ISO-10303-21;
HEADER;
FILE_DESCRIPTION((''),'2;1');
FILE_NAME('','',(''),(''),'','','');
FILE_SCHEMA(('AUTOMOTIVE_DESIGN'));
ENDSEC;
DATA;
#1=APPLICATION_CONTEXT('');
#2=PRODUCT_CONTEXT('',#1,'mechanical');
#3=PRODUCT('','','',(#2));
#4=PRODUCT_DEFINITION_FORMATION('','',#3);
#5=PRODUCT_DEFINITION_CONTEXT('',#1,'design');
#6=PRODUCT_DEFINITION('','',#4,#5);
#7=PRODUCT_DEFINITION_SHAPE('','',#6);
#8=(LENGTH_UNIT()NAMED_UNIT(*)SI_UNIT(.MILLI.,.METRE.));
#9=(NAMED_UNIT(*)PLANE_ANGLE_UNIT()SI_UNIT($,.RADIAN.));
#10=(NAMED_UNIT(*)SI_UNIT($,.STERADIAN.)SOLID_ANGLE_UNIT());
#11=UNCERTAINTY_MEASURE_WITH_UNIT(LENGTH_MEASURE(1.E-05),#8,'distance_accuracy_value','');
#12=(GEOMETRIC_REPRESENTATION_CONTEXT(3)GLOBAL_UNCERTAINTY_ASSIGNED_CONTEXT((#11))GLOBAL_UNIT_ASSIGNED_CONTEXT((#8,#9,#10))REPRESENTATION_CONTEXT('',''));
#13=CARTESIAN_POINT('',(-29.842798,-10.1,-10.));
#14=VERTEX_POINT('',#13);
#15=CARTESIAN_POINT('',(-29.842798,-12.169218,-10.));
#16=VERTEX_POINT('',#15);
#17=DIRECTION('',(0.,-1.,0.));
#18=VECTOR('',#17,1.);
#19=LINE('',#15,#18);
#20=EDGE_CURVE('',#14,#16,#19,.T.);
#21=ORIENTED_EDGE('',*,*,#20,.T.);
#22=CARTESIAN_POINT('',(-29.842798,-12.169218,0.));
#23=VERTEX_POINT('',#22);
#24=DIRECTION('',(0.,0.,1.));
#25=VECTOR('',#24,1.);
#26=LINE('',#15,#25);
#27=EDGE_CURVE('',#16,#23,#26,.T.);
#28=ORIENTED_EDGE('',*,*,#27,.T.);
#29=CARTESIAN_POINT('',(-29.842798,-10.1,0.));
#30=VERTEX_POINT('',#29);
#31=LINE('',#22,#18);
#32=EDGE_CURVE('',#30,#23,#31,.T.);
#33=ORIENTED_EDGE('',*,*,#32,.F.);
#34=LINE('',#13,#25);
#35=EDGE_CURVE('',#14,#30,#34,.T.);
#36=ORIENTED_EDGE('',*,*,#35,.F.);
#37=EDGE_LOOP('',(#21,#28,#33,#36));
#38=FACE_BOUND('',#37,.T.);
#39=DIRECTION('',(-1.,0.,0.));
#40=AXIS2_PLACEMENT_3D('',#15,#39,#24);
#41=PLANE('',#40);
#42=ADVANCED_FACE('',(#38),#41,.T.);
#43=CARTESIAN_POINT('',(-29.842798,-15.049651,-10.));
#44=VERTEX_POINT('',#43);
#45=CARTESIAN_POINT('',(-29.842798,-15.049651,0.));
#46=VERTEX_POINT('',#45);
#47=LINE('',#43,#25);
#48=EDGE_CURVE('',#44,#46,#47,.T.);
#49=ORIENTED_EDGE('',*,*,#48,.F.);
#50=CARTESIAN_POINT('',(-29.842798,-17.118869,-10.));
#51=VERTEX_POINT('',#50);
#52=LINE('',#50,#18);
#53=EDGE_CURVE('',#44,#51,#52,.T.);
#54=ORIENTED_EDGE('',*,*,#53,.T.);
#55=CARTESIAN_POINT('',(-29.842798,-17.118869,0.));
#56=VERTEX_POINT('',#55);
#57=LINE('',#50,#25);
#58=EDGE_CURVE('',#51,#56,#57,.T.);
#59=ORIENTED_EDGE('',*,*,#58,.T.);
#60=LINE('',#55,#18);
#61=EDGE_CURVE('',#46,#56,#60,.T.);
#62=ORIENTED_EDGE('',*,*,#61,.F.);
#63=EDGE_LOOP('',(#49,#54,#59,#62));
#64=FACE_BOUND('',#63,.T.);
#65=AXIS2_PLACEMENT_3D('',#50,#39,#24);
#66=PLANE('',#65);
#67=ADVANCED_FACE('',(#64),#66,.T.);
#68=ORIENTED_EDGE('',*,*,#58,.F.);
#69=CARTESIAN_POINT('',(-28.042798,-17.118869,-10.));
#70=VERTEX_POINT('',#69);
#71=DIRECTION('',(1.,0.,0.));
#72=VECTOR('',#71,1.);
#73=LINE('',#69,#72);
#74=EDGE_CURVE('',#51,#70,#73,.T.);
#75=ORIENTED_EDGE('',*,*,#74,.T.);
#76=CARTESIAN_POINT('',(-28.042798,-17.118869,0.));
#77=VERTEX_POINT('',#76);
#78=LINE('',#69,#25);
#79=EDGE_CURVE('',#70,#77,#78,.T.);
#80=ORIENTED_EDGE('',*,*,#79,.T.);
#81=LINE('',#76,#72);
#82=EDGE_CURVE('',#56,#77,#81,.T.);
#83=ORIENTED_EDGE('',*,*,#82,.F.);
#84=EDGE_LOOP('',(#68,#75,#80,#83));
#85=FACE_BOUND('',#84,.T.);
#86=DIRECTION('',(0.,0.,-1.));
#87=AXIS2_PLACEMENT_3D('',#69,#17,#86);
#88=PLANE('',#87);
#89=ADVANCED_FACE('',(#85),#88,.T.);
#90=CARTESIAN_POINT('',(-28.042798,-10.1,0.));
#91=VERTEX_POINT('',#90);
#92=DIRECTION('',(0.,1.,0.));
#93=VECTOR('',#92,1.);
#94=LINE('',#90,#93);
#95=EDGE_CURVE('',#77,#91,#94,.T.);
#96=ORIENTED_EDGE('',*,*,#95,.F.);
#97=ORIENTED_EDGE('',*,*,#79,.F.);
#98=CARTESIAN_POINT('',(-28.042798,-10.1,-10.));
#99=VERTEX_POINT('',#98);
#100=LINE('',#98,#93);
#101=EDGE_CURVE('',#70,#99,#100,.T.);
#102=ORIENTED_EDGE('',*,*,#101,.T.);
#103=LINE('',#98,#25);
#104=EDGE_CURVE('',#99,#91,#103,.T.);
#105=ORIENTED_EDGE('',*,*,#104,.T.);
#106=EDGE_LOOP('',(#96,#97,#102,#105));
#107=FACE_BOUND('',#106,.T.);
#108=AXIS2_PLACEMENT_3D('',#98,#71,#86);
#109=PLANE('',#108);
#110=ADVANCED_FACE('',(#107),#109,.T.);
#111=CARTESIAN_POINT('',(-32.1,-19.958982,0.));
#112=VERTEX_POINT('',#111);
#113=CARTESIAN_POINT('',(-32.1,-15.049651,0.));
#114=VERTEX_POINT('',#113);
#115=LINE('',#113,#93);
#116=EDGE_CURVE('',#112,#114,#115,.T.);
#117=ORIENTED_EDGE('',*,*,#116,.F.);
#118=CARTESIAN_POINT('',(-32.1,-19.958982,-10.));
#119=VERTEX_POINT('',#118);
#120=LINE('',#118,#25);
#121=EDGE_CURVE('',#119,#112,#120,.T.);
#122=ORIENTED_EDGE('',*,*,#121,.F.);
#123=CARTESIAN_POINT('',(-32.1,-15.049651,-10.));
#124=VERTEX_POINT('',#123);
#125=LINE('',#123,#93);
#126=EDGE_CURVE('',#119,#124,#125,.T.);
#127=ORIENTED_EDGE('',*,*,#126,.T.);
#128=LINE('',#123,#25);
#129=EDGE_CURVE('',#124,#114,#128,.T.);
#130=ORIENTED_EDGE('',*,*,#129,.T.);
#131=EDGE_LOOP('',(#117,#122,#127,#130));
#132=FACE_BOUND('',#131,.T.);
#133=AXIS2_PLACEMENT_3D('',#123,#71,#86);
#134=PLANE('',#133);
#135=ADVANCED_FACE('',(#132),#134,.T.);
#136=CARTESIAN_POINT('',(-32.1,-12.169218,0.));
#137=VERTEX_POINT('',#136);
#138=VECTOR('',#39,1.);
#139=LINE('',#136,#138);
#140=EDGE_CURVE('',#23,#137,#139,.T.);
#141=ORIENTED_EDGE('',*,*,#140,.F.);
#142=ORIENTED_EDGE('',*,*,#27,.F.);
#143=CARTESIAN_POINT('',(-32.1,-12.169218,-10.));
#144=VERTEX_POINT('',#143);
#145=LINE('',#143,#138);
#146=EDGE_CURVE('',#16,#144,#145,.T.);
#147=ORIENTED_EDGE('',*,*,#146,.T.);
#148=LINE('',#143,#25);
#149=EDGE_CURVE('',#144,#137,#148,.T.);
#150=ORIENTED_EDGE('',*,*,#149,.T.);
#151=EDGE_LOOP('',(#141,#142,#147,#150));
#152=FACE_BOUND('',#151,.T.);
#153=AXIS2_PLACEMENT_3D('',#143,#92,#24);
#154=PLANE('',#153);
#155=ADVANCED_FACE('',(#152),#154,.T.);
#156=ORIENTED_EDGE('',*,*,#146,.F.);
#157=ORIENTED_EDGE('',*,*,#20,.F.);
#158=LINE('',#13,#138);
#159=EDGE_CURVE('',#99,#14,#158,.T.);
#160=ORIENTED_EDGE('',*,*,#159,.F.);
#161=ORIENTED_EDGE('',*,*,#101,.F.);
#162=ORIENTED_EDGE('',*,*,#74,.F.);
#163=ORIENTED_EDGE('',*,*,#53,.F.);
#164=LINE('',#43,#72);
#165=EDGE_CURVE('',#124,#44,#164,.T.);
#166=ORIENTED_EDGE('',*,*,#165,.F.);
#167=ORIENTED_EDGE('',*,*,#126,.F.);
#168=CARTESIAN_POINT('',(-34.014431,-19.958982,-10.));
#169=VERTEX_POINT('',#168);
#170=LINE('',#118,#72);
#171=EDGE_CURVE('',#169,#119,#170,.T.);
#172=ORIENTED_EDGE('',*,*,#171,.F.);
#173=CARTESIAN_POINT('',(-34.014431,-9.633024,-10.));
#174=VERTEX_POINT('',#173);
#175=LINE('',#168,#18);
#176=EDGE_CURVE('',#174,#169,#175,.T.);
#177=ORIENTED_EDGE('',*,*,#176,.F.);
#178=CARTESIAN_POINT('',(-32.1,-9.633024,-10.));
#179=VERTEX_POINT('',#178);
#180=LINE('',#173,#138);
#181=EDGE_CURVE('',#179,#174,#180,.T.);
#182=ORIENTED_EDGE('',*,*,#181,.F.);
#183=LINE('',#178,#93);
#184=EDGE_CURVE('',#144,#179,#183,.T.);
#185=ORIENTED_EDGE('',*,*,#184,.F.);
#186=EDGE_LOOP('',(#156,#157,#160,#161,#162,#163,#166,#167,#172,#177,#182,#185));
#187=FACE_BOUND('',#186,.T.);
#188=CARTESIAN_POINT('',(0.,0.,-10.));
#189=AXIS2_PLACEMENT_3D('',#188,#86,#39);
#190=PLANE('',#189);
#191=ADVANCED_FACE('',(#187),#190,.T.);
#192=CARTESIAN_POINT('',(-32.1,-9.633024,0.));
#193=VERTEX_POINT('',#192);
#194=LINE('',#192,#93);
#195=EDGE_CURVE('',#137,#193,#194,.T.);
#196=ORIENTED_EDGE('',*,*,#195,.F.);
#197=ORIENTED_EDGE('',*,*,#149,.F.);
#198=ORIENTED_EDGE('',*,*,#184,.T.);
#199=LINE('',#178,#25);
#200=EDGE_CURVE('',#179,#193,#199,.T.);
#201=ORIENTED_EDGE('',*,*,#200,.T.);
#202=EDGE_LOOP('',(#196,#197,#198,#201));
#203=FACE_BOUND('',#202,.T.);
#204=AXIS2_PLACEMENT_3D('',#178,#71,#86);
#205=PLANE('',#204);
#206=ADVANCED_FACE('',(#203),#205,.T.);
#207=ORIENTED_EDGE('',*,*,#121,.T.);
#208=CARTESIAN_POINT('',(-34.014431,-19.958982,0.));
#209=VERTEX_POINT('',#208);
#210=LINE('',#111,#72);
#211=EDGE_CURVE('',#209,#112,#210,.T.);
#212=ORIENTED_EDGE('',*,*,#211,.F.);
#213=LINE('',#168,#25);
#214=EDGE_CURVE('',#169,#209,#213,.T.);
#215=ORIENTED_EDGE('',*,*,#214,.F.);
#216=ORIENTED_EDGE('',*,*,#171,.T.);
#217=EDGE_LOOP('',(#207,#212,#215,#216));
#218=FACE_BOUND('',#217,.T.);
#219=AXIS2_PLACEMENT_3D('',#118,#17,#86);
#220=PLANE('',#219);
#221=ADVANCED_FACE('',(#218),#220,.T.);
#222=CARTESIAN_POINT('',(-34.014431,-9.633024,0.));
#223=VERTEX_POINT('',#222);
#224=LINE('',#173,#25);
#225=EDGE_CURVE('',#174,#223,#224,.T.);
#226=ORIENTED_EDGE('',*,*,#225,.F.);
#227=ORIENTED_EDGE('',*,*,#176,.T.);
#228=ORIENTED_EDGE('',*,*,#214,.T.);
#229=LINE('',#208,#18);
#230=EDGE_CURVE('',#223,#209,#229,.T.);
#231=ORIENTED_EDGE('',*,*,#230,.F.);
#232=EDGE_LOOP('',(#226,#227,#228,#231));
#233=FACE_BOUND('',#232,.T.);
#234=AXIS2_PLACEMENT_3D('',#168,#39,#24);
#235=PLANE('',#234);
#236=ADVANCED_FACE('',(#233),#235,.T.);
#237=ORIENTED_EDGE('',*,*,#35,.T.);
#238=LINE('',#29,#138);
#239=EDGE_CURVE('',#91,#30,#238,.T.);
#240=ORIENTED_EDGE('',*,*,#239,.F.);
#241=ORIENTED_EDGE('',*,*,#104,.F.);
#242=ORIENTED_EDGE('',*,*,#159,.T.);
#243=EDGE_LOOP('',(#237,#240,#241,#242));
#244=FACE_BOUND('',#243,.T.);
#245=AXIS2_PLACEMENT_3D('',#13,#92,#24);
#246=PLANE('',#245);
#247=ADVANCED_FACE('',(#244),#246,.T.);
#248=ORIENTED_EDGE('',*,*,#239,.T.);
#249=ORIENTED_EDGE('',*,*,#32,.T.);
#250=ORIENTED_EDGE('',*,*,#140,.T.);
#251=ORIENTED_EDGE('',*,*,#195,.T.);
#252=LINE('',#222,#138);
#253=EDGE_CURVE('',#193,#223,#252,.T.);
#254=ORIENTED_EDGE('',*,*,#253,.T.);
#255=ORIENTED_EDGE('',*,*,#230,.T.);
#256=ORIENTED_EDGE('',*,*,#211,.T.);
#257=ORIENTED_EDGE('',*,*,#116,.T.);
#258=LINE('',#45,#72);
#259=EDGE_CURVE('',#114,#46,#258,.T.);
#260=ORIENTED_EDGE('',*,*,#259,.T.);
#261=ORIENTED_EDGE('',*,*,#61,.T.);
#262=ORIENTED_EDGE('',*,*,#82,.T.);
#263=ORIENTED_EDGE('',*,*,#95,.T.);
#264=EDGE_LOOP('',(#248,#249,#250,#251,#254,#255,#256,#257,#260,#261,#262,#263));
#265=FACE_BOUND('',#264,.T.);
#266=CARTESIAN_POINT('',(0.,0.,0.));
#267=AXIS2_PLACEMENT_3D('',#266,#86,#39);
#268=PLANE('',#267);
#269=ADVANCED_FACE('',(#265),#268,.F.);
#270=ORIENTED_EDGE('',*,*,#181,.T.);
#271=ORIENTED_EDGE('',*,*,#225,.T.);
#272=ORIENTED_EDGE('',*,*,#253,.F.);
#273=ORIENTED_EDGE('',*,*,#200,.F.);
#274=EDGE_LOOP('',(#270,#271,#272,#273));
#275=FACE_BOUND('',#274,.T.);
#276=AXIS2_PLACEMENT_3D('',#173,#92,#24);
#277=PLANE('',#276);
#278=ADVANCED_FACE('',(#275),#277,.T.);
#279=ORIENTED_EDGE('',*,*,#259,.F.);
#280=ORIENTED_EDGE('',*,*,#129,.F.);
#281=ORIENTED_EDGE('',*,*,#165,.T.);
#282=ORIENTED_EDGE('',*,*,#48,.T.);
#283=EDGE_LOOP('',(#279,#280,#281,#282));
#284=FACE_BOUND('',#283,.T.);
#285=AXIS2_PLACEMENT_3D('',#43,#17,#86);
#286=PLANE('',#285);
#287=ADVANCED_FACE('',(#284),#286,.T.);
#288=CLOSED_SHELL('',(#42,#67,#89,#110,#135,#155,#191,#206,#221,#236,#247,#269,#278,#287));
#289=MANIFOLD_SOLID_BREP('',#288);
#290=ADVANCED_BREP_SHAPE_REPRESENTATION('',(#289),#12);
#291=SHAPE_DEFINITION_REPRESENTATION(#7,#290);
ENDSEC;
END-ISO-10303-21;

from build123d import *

# Parameters (mm, degrees)
BOSS_EXTRUDE1_DEPTH = 10


with BuildPart() as part:
    # Sketch2 → Boss-Extrude1 (new body)
    with BuildSketch(Plane.XY):
        Polygon((-32.1, -9.633023841), (-32.1, -12.169217722), (-29.842797906, -12.169217722), (-29.842797906, -10.1), (-28.042797906, -10.1), (-28.042797906, -17.118869174), (-29.842797906, -17.118869174), (-29.842797906, -15.049651452), (-32.1, -15.049651452), (-32.1, -19.958982177), (-34.014430759, -19.958982177), (-34.014430759, -9.633023841), align=None)
    extrude(amount=-BOSS_EXTRUDE1_DEPTH)


solid = part.part
